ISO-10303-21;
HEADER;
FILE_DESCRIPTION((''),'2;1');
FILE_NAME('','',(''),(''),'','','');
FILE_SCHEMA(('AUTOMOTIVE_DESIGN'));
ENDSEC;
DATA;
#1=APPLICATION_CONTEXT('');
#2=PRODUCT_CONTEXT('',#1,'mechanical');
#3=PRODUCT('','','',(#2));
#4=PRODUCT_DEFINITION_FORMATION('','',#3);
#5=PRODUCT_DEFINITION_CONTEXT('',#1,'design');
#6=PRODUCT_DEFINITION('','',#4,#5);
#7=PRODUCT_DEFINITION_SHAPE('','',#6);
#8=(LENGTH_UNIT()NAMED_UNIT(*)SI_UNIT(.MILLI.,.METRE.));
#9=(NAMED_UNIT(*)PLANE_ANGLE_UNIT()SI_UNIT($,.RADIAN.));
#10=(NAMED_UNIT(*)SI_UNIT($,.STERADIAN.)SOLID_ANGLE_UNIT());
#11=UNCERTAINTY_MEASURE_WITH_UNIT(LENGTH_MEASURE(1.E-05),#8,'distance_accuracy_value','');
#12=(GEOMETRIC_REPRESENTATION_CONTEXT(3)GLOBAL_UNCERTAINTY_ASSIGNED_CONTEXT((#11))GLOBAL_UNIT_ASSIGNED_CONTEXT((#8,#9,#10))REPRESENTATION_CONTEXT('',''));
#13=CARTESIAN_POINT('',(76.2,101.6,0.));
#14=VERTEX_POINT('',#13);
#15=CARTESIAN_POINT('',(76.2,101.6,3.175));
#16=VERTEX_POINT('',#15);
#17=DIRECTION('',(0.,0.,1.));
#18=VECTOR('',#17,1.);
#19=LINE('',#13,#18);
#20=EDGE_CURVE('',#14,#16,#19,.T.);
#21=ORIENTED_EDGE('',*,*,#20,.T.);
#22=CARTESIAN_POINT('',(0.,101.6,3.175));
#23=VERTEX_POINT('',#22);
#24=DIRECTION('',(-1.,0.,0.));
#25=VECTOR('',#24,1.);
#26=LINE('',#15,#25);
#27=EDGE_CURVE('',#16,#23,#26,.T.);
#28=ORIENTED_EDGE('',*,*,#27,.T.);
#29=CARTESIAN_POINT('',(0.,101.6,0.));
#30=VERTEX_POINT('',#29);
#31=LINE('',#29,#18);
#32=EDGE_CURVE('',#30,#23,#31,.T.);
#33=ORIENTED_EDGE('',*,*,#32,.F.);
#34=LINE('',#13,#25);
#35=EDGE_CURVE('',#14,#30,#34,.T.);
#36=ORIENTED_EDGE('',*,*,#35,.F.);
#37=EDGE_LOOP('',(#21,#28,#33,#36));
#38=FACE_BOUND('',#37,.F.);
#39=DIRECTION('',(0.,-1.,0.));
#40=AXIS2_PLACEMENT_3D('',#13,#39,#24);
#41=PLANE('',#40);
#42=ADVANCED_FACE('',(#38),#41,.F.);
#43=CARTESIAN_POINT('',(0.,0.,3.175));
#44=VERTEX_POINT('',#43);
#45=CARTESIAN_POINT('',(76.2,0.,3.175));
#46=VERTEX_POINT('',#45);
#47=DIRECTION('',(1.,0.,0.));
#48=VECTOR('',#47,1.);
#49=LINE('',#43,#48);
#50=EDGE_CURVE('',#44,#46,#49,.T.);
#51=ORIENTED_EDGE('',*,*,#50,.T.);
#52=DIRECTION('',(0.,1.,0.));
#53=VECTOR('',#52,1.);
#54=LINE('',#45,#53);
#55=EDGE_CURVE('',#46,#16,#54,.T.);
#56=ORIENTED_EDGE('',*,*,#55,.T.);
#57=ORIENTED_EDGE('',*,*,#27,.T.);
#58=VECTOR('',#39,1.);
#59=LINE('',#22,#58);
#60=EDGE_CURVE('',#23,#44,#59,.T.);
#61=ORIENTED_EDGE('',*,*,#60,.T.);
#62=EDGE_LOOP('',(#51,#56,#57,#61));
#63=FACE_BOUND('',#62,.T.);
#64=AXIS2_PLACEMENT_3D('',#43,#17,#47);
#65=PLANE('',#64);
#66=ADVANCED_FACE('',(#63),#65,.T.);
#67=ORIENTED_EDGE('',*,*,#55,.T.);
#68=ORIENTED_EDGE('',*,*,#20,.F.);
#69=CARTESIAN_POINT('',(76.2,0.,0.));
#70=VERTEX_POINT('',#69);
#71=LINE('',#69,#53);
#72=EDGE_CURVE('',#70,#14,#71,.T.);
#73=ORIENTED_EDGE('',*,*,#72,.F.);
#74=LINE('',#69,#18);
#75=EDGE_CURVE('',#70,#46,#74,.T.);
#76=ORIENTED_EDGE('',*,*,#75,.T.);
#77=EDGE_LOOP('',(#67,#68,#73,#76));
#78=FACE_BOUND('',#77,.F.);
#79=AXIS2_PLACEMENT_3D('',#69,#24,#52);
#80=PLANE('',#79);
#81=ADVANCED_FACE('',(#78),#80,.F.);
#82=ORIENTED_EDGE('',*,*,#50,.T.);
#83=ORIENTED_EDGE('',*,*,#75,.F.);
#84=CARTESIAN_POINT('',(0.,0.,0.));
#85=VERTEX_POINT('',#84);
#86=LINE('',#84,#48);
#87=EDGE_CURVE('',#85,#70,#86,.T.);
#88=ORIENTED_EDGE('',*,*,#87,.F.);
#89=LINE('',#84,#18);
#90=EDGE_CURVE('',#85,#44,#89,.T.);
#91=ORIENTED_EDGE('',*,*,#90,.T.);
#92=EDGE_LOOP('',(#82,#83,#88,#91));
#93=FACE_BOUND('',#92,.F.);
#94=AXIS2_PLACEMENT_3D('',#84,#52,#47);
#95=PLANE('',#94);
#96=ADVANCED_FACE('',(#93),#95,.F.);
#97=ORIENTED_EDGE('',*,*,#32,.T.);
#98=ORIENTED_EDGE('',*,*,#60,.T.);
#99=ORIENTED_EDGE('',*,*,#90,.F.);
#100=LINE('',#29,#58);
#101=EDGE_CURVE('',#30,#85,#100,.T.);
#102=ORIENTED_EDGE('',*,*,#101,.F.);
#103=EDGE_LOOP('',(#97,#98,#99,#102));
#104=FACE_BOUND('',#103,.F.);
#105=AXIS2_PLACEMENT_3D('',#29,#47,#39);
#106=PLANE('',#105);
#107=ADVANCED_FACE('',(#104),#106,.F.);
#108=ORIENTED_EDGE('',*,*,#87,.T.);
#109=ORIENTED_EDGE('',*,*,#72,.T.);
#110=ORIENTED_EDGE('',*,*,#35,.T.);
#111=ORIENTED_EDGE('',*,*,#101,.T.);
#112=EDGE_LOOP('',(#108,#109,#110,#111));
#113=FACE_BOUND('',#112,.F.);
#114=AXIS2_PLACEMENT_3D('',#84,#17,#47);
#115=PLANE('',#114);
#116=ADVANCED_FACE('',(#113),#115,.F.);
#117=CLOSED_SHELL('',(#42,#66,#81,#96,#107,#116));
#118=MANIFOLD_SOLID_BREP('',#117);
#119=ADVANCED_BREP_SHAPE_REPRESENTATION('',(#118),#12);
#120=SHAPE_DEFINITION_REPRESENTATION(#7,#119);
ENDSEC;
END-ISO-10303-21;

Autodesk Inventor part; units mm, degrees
ref_plane "YZ Plane" through (0, 0, 0) normal (1, 0, 0) x (0, 1, 0)
ref_plane "XZ Plane" through (0, 0, 0) normal (0, 1, 0) x (-1, 0, 0)
ref_plane "XY Plane" through (0, 0, 0) normal (0, 0, 1) x (1, 0, 0)
sketch "Sketch1" plane through (0, 0, 0) normal (0, 0, 1) x (1, 0, 0)
  line L0 (0, 0) -> (76.2, 0)
  line L1 (76.2, 0) -> (76.2, 101.6)
  line L2 (76.2, 101.6) -> (0, 101.6)
  line L3 (0, 101.6) -> (0, 0)
  dimension "d0" = 76.2
  dimension "d1" = 101.6
extrude "Extrusion1" add sketch "Sketch1" along normal blind 3.175
properties part number "Part C. Front"
